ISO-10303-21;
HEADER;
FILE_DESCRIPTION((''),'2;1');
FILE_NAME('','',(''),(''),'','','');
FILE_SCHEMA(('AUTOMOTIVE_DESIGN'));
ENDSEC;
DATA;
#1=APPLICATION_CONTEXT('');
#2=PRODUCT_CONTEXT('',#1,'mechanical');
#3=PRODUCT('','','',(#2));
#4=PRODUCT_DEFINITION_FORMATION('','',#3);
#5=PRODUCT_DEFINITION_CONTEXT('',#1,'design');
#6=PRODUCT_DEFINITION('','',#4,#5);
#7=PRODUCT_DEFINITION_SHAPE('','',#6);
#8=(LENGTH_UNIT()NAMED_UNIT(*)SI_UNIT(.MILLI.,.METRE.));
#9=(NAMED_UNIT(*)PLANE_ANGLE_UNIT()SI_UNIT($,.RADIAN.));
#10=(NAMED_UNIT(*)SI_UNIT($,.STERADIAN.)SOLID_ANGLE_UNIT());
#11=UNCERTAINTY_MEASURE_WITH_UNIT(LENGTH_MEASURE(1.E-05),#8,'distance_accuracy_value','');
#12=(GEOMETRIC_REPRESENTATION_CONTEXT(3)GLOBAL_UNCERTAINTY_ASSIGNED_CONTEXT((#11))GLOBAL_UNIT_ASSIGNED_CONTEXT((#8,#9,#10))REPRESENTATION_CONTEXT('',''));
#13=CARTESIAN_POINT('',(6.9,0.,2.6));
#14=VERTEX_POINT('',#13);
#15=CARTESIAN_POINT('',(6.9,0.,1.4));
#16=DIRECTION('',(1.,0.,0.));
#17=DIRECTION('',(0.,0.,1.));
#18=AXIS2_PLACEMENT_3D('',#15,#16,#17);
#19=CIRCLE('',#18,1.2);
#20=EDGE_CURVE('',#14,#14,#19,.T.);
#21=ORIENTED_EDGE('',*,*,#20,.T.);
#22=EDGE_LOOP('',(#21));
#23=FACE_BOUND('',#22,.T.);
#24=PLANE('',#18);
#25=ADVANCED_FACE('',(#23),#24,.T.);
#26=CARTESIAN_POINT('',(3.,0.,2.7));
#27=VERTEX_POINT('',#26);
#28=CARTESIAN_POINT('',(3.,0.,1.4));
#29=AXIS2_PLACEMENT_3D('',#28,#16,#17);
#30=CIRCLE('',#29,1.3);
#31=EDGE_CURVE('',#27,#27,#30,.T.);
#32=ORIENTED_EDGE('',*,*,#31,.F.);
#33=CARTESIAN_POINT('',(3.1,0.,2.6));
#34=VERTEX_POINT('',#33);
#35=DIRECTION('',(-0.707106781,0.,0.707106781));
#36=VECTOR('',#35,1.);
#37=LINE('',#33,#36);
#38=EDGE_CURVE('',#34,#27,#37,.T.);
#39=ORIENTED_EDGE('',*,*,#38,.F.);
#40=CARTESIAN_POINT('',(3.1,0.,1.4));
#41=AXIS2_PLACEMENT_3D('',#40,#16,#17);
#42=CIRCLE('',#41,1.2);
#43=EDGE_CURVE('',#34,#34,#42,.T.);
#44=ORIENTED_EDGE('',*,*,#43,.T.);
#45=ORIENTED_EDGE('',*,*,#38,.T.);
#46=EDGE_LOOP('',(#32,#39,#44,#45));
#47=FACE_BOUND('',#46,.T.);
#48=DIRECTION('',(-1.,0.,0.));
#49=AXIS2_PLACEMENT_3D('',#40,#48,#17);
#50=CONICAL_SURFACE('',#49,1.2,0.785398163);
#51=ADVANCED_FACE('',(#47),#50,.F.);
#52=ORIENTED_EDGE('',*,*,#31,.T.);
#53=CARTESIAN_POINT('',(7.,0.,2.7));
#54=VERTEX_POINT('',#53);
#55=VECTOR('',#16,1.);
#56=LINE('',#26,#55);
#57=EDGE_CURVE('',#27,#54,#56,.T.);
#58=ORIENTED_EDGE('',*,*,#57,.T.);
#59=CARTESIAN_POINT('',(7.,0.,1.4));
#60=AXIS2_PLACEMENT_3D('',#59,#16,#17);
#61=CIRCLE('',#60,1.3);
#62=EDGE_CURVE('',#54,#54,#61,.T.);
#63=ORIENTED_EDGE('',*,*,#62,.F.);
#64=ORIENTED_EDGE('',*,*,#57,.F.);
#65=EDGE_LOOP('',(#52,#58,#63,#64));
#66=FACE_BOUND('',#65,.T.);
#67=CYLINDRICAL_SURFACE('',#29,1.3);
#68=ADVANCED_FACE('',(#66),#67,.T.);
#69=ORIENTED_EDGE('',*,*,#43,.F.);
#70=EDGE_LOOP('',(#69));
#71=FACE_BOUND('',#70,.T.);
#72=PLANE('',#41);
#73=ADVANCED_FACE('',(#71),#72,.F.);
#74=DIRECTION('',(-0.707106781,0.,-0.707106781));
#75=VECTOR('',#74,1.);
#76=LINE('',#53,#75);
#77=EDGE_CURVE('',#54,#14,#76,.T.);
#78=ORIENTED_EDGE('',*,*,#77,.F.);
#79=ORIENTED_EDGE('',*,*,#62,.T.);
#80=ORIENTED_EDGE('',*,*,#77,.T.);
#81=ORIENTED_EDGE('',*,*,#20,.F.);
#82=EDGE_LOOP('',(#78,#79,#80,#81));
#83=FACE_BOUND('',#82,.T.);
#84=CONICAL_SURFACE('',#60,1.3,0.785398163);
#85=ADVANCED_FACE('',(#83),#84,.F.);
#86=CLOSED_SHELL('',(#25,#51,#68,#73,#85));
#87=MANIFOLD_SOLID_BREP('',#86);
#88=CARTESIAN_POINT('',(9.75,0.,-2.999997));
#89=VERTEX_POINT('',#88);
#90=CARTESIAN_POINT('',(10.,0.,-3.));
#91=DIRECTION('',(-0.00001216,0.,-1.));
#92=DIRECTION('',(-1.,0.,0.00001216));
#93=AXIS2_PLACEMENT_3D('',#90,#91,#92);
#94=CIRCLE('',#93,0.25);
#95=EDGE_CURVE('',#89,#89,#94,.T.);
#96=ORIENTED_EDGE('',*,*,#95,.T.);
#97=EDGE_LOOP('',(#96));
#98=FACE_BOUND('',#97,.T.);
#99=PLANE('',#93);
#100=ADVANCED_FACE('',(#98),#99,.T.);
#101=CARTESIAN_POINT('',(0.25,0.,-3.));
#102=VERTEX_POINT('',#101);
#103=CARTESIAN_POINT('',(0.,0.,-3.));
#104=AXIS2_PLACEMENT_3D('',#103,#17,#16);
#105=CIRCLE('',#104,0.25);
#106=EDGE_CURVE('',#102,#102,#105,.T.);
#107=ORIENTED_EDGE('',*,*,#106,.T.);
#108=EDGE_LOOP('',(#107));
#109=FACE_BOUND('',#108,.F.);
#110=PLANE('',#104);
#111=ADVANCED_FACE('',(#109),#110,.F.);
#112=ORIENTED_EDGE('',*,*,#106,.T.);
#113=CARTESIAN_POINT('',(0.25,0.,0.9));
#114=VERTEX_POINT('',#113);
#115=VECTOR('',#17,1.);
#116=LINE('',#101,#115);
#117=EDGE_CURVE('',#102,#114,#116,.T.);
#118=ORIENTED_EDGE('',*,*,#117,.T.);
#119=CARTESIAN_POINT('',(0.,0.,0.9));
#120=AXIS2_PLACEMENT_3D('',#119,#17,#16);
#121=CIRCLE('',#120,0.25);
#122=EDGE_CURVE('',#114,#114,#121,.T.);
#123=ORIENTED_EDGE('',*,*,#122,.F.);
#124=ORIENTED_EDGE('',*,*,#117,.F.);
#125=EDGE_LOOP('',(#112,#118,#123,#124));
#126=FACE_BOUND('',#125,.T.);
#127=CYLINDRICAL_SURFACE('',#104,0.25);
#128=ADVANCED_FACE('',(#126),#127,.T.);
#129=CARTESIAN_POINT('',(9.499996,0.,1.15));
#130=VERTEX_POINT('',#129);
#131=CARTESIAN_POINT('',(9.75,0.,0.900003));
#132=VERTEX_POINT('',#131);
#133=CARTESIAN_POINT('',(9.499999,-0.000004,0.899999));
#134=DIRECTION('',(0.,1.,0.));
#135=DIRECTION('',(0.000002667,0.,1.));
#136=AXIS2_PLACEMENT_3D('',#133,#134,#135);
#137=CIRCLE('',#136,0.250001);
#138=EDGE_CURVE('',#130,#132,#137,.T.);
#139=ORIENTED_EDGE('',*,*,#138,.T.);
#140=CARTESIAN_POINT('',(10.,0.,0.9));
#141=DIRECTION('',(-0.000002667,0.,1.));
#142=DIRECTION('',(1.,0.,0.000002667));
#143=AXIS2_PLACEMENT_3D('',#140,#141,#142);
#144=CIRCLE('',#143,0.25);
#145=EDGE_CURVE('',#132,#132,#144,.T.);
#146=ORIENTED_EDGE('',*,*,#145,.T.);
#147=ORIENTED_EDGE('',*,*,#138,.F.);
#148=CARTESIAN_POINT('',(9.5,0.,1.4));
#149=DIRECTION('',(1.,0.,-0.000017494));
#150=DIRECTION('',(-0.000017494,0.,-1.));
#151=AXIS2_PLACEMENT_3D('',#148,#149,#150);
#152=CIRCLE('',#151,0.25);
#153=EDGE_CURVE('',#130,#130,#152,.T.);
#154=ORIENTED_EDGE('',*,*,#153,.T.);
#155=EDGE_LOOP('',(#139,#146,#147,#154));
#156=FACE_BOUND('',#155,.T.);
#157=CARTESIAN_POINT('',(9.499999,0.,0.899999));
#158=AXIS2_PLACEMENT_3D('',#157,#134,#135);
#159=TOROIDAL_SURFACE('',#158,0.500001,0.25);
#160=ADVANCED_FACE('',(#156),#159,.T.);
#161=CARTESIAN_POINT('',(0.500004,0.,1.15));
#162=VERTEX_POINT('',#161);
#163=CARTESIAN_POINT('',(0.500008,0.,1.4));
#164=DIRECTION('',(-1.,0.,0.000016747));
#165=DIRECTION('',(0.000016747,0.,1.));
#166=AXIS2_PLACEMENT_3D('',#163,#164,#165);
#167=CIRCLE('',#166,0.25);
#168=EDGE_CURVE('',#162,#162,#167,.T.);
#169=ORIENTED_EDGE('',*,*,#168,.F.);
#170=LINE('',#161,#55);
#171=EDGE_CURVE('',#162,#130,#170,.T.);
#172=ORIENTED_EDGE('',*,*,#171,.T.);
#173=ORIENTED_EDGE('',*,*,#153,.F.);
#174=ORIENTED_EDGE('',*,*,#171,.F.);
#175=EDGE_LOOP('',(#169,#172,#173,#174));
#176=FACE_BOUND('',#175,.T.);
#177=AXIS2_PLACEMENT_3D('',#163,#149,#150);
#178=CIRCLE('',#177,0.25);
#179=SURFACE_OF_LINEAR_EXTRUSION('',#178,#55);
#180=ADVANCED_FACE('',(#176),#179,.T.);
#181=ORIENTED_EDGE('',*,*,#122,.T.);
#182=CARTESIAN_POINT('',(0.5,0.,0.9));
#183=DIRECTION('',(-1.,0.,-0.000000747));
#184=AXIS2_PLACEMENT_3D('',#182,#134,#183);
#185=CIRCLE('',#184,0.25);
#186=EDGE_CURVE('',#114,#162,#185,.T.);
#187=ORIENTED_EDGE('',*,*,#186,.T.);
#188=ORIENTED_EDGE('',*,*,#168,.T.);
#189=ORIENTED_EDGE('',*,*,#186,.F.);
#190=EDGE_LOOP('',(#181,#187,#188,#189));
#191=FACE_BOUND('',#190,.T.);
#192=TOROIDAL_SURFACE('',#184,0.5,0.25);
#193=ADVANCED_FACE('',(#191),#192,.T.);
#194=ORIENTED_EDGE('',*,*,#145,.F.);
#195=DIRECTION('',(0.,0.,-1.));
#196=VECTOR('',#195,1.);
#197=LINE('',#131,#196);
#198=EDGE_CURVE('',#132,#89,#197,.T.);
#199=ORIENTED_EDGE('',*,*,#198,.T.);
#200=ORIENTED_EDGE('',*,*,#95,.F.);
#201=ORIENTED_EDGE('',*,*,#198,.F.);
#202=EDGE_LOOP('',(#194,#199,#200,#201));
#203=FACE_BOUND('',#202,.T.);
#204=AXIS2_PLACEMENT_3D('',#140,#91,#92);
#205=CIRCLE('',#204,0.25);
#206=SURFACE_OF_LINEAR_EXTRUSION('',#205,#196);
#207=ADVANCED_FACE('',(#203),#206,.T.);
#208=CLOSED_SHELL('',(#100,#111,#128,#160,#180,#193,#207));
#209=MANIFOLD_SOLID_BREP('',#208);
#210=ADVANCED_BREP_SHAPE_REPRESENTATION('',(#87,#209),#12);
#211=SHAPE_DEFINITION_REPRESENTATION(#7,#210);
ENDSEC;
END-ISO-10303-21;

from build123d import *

# Parameters (mm, degrees)
SKETCH_R = 0.25


with BuildPart() as sweep_body:
    # Sweep: sweep along a path in Sketch001
    with BuildLine(Plane.XZ) as sweep_path:
        Line((0, -3), (0, 0.9))
        ThreePointArc((0, 0.9), (0.146449, 1.253556), (0.500008, 1.4))
        Line((0.500008, 1.4), (9.5, 1.4))
        ThreePointArc((9.5, 1.4), (9.853553, 1.253553), (10, 0.9))
        Line((10, 0.9), (10, -3))
    # Sketch → Sweep (sweep)
    with BuildSketch(Plane.XY.offset(-2)):
        Circle(SKETCH_R)
    sweep(path=sweep_path.line)


with BuildPart() as revolution:
    # Sketch002 → Revolution (revolve)
    with BuildSketch(Plane.XZ):
        Polygon((3, 2.7), (7, 2.7), (6.9, 2.6), (6.9, 1.4), (3.1, 1.4), (3.1, 2.6), align=None)
    revolve(axis=Axis((7.611803, 0, 1.4), (1, 0, 0)))


solid = Compound([sweep_body.part, revolution.part])
